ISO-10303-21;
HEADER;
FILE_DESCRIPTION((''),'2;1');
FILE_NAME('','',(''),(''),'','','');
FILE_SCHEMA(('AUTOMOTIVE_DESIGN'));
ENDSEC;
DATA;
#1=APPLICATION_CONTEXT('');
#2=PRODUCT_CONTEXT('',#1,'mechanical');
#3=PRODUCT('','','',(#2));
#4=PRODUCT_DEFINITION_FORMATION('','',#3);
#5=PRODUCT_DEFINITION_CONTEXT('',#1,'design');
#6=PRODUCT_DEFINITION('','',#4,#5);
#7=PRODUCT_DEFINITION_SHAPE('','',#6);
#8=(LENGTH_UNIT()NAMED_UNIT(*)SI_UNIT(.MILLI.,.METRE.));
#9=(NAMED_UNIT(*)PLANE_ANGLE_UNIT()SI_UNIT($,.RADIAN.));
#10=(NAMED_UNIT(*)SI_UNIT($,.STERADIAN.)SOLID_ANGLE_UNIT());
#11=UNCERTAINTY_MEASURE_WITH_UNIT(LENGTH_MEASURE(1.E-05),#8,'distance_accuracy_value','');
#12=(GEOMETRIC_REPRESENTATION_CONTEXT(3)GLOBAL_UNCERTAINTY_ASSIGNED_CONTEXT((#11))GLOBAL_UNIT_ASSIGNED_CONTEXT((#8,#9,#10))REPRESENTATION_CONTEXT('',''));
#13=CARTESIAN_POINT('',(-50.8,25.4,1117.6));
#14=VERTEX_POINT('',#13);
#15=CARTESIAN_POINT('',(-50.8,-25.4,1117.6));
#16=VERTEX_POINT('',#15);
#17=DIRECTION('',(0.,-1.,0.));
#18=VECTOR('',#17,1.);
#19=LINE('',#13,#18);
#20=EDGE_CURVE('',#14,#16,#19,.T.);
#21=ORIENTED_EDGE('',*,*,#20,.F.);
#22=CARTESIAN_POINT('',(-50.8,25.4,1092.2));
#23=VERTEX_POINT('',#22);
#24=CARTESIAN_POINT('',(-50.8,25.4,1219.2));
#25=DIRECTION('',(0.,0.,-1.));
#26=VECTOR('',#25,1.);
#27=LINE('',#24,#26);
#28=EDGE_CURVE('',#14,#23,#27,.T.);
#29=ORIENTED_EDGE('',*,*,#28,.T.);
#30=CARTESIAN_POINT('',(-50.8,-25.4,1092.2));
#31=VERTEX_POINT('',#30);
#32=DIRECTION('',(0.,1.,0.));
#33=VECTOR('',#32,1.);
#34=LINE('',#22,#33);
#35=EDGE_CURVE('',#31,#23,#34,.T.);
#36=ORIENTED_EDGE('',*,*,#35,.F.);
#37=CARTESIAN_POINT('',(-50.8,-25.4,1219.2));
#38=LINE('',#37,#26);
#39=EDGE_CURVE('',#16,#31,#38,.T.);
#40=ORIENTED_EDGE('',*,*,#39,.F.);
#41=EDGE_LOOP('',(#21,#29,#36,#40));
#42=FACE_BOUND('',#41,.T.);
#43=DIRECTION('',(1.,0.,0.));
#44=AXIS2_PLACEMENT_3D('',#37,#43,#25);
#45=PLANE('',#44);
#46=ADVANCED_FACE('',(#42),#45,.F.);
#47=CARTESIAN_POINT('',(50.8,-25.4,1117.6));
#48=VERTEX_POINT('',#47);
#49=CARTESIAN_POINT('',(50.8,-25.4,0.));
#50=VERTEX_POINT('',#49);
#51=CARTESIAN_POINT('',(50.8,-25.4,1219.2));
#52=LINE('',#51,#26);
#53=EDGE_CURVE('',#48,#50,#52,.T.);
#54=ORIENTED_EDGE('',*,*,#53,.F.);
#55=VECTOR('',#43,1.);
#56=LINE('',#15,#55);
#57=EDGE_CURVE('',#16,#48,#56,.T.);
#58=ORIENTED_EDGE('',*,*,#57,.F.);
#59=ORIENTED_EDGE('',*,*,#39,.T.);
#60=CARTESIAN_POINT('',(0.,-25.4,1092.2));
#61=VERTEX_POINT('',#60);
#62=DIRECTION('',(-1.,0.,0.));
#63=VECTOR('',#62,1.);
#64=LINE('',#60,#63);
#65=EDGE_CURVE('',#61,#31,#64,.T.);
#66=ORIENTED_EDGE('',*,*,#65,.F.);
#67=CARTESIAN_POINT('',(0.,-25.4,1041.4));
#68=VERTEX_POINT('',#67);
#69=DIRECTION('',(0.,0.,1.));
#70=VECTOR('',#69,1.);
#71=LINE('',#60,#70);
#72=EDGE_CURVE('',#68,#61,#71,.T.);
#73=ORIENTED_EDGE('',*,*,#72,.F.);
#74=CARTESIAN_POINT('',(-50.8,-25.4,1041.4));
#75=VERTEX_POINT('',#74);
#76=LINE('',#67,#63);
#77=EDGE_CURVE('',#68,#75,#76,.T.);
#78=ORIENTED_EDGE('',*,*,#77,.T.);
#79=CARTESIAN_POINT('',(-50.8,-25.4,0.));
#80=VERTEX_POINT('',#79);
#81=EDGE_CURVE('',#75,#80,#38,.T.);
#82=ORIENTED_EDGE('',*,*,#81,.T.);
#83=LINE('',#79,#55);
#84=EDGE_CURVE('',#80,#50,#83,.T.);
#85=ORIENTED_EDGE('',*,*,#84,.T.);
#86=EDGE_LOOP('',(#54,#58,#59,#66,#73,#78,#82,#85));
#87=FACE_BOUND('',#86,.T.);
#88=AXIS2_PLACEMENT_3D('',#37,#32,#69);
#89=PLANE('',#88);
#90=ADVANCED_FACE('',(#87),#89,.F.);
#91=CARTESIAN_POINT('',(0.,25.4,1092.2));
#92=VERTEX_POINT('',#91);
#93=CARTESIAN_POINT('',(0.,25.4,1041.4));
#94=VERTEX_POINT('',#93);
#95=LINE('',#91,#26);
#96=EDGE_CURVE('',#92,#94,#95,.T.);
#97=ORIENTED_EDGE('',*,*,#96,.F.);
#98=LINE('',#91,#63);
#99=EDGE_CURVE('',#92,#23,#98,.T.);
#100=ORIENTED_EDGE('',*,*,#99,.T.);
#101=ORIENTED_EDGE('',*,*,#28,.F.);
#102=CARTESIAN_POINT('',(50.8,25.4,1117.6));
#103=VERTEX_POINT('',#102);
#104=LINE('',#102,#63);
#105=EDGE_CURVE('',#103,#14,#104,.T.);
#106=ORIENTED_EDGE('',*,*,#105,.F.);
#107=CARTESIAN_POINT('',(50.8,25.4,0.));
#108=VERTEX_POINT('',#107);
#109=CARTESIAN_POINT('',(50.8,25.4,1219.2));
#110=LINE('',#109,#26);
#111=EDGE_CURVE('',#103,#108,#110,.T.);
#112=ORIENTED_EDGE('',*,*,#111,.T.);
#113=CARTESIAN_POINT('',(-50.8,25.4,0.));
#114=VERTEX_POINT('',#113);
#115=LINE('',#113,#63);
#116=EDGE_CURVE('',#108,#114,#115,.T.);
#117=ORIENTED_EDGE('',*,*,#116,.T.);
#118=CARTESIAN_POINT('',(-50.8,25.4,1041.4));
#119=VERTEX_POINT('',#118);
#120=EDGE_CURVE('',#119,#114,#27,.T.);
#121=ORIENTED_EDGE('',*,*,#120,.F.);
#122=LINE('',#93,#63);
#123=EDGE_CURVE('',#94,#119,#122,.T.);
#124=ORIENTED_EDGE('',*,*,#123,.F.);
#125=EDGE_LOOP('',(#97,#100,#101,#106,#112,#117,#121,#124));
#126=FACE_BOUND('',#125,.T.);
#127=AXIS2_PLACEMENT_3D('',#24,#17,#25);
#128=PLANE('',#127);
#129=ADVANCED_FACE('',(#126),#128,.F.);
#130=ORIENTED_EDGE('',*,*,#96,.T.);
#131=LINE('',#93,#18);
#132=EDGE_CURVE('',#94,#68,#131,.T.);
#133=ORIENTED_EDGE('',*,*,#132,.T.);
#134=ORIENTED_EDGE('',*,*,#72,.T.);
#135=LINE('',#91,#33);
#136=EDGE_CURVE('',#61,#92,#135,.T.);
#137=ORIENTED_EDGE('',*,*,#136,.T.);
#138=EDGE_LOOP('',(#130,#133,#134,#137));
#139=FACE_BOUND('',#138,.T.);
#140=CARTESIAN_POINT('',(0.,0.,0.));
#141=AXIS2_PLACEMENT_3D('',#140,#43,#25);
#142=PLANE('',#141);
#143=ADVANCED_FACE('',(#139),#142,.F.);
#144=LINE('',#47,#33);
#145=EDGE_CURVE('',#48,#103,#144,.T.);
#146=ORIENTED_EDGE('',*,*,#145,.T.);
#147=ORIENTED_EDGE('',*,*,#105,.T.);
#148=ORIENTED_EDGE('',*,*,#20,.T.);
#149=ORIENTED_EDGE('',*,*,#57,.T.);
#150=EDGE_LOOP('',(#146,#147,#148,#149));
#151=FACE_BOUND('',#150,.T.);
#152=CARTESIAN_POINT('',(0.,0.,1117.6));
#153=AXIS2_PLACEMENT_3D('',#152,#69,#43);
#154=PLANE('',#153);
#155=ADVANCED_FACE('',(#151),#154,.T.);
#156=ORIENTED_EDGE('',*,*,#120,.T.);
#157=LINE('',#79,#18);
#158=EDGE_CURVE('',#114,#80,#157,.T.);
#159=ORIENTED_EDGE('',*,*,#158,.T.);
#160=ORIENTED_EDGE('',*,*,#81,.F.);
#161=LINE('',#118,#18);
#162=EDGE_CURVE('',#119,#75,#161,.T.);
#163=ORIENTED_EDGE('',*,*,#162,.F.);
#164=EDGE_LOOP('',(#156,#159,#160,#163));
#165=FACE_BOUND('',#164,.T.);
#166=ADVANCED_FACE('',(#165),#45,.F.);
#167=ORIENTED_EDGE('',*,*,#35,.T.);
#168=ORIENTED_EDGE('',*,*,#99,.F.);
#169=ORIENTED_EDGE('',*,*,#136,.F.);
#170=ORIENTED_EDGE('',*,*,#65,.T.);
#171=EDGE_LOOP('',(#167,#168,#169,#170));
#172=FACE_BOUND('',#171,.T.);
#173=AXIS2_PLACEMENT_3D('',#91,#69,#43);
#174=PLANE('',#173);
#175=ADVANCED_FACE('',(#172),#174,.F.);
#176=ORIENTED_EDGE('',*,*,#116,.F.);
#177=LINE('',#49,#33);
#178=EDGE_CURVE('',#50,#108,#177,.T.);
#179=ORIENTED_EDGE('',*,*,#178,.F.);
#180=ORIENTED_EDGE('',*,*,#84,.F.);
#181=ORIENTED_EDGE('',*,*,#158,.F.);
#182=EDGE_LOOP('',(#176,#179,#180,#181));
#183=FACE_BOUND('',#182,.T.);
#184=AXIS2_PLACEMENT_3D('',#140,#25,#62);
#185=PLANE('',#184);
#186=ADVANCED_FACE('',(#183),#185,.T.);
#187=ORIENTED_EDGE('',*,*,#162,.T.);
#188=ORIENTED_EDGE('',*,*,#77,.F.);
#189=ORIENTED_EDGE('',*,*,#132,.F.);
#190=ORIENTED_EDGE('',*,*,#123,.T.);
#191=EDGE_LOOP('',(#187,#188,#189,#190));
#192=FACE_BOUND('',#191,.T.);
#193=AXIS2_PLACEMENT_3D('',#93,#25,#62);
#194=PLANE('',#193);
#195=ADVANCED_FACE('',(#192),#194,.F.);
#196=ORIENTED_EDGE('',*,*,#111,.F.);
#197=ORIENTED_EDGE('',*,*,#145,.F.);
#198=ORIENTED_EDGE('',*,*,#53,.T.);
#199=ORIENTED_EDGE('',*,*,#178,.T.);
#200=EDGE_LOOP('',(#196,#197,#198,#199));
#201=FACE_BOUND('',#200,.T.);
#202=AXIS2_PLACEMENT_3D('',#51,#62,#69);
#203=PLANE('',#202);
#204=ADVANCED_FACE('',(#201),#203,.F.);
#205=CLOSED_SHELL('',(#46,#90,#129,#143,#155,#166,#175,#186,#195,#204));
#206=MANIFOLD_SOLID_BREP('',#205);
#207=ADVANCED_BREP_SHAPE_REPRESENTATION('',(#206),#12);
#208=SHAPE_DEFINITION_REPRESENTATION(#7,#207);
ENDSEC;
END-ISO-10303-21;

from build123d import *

# Parameters (mm, degrees)
SKETCH1_W           = 101.6
SKETCH1_H           = 50.8
BOSS_EXTRUDE1_DEPTH = 1219.2
SKETCH2_W           = 101.6
SKETCH2_H           = 50.8
CUT_EXTRUDE1_DEPTH  = 101.6
SKETCH3_W           = 50.8
SKETCH3_H           = 50.8
CUT_EXTRUDE2_DEPTH  = 50.8


with BuildPart() as part:
    # Sketch1 → Boss-Extrude1 (new body)
    with BuildSketch(Plane.XY):
        Rectangle(SKETCH1_W, SKETCH1_H)
    extrude(amount=BOSS_EXTRUDE1_DEPTH)

    # Sketch2 → Cut-Extrude1 (cut)
    with BuildSketch(Plane.XY.offset(1219.2)):
        Rectangle(SKETCH2_W, SKETCH2_H)
    extrude(amount=-CUT_EXTRUDE1_DEPTH, mode=Mode.SUBTRACT)

    # Sketch3 → Cut-Extrude2 (cut)
    with BuildSketch(Plane.ZY.offset(50.8)):
        with Locations((1066.8, 0)):
            Rectangle(SKETCH3_W, SKETCH3_H)
    extrude(amount=-CUT_EXTRUDE2_DEPTH, mode=Mode.SUBTRACT)


solid = part.part
